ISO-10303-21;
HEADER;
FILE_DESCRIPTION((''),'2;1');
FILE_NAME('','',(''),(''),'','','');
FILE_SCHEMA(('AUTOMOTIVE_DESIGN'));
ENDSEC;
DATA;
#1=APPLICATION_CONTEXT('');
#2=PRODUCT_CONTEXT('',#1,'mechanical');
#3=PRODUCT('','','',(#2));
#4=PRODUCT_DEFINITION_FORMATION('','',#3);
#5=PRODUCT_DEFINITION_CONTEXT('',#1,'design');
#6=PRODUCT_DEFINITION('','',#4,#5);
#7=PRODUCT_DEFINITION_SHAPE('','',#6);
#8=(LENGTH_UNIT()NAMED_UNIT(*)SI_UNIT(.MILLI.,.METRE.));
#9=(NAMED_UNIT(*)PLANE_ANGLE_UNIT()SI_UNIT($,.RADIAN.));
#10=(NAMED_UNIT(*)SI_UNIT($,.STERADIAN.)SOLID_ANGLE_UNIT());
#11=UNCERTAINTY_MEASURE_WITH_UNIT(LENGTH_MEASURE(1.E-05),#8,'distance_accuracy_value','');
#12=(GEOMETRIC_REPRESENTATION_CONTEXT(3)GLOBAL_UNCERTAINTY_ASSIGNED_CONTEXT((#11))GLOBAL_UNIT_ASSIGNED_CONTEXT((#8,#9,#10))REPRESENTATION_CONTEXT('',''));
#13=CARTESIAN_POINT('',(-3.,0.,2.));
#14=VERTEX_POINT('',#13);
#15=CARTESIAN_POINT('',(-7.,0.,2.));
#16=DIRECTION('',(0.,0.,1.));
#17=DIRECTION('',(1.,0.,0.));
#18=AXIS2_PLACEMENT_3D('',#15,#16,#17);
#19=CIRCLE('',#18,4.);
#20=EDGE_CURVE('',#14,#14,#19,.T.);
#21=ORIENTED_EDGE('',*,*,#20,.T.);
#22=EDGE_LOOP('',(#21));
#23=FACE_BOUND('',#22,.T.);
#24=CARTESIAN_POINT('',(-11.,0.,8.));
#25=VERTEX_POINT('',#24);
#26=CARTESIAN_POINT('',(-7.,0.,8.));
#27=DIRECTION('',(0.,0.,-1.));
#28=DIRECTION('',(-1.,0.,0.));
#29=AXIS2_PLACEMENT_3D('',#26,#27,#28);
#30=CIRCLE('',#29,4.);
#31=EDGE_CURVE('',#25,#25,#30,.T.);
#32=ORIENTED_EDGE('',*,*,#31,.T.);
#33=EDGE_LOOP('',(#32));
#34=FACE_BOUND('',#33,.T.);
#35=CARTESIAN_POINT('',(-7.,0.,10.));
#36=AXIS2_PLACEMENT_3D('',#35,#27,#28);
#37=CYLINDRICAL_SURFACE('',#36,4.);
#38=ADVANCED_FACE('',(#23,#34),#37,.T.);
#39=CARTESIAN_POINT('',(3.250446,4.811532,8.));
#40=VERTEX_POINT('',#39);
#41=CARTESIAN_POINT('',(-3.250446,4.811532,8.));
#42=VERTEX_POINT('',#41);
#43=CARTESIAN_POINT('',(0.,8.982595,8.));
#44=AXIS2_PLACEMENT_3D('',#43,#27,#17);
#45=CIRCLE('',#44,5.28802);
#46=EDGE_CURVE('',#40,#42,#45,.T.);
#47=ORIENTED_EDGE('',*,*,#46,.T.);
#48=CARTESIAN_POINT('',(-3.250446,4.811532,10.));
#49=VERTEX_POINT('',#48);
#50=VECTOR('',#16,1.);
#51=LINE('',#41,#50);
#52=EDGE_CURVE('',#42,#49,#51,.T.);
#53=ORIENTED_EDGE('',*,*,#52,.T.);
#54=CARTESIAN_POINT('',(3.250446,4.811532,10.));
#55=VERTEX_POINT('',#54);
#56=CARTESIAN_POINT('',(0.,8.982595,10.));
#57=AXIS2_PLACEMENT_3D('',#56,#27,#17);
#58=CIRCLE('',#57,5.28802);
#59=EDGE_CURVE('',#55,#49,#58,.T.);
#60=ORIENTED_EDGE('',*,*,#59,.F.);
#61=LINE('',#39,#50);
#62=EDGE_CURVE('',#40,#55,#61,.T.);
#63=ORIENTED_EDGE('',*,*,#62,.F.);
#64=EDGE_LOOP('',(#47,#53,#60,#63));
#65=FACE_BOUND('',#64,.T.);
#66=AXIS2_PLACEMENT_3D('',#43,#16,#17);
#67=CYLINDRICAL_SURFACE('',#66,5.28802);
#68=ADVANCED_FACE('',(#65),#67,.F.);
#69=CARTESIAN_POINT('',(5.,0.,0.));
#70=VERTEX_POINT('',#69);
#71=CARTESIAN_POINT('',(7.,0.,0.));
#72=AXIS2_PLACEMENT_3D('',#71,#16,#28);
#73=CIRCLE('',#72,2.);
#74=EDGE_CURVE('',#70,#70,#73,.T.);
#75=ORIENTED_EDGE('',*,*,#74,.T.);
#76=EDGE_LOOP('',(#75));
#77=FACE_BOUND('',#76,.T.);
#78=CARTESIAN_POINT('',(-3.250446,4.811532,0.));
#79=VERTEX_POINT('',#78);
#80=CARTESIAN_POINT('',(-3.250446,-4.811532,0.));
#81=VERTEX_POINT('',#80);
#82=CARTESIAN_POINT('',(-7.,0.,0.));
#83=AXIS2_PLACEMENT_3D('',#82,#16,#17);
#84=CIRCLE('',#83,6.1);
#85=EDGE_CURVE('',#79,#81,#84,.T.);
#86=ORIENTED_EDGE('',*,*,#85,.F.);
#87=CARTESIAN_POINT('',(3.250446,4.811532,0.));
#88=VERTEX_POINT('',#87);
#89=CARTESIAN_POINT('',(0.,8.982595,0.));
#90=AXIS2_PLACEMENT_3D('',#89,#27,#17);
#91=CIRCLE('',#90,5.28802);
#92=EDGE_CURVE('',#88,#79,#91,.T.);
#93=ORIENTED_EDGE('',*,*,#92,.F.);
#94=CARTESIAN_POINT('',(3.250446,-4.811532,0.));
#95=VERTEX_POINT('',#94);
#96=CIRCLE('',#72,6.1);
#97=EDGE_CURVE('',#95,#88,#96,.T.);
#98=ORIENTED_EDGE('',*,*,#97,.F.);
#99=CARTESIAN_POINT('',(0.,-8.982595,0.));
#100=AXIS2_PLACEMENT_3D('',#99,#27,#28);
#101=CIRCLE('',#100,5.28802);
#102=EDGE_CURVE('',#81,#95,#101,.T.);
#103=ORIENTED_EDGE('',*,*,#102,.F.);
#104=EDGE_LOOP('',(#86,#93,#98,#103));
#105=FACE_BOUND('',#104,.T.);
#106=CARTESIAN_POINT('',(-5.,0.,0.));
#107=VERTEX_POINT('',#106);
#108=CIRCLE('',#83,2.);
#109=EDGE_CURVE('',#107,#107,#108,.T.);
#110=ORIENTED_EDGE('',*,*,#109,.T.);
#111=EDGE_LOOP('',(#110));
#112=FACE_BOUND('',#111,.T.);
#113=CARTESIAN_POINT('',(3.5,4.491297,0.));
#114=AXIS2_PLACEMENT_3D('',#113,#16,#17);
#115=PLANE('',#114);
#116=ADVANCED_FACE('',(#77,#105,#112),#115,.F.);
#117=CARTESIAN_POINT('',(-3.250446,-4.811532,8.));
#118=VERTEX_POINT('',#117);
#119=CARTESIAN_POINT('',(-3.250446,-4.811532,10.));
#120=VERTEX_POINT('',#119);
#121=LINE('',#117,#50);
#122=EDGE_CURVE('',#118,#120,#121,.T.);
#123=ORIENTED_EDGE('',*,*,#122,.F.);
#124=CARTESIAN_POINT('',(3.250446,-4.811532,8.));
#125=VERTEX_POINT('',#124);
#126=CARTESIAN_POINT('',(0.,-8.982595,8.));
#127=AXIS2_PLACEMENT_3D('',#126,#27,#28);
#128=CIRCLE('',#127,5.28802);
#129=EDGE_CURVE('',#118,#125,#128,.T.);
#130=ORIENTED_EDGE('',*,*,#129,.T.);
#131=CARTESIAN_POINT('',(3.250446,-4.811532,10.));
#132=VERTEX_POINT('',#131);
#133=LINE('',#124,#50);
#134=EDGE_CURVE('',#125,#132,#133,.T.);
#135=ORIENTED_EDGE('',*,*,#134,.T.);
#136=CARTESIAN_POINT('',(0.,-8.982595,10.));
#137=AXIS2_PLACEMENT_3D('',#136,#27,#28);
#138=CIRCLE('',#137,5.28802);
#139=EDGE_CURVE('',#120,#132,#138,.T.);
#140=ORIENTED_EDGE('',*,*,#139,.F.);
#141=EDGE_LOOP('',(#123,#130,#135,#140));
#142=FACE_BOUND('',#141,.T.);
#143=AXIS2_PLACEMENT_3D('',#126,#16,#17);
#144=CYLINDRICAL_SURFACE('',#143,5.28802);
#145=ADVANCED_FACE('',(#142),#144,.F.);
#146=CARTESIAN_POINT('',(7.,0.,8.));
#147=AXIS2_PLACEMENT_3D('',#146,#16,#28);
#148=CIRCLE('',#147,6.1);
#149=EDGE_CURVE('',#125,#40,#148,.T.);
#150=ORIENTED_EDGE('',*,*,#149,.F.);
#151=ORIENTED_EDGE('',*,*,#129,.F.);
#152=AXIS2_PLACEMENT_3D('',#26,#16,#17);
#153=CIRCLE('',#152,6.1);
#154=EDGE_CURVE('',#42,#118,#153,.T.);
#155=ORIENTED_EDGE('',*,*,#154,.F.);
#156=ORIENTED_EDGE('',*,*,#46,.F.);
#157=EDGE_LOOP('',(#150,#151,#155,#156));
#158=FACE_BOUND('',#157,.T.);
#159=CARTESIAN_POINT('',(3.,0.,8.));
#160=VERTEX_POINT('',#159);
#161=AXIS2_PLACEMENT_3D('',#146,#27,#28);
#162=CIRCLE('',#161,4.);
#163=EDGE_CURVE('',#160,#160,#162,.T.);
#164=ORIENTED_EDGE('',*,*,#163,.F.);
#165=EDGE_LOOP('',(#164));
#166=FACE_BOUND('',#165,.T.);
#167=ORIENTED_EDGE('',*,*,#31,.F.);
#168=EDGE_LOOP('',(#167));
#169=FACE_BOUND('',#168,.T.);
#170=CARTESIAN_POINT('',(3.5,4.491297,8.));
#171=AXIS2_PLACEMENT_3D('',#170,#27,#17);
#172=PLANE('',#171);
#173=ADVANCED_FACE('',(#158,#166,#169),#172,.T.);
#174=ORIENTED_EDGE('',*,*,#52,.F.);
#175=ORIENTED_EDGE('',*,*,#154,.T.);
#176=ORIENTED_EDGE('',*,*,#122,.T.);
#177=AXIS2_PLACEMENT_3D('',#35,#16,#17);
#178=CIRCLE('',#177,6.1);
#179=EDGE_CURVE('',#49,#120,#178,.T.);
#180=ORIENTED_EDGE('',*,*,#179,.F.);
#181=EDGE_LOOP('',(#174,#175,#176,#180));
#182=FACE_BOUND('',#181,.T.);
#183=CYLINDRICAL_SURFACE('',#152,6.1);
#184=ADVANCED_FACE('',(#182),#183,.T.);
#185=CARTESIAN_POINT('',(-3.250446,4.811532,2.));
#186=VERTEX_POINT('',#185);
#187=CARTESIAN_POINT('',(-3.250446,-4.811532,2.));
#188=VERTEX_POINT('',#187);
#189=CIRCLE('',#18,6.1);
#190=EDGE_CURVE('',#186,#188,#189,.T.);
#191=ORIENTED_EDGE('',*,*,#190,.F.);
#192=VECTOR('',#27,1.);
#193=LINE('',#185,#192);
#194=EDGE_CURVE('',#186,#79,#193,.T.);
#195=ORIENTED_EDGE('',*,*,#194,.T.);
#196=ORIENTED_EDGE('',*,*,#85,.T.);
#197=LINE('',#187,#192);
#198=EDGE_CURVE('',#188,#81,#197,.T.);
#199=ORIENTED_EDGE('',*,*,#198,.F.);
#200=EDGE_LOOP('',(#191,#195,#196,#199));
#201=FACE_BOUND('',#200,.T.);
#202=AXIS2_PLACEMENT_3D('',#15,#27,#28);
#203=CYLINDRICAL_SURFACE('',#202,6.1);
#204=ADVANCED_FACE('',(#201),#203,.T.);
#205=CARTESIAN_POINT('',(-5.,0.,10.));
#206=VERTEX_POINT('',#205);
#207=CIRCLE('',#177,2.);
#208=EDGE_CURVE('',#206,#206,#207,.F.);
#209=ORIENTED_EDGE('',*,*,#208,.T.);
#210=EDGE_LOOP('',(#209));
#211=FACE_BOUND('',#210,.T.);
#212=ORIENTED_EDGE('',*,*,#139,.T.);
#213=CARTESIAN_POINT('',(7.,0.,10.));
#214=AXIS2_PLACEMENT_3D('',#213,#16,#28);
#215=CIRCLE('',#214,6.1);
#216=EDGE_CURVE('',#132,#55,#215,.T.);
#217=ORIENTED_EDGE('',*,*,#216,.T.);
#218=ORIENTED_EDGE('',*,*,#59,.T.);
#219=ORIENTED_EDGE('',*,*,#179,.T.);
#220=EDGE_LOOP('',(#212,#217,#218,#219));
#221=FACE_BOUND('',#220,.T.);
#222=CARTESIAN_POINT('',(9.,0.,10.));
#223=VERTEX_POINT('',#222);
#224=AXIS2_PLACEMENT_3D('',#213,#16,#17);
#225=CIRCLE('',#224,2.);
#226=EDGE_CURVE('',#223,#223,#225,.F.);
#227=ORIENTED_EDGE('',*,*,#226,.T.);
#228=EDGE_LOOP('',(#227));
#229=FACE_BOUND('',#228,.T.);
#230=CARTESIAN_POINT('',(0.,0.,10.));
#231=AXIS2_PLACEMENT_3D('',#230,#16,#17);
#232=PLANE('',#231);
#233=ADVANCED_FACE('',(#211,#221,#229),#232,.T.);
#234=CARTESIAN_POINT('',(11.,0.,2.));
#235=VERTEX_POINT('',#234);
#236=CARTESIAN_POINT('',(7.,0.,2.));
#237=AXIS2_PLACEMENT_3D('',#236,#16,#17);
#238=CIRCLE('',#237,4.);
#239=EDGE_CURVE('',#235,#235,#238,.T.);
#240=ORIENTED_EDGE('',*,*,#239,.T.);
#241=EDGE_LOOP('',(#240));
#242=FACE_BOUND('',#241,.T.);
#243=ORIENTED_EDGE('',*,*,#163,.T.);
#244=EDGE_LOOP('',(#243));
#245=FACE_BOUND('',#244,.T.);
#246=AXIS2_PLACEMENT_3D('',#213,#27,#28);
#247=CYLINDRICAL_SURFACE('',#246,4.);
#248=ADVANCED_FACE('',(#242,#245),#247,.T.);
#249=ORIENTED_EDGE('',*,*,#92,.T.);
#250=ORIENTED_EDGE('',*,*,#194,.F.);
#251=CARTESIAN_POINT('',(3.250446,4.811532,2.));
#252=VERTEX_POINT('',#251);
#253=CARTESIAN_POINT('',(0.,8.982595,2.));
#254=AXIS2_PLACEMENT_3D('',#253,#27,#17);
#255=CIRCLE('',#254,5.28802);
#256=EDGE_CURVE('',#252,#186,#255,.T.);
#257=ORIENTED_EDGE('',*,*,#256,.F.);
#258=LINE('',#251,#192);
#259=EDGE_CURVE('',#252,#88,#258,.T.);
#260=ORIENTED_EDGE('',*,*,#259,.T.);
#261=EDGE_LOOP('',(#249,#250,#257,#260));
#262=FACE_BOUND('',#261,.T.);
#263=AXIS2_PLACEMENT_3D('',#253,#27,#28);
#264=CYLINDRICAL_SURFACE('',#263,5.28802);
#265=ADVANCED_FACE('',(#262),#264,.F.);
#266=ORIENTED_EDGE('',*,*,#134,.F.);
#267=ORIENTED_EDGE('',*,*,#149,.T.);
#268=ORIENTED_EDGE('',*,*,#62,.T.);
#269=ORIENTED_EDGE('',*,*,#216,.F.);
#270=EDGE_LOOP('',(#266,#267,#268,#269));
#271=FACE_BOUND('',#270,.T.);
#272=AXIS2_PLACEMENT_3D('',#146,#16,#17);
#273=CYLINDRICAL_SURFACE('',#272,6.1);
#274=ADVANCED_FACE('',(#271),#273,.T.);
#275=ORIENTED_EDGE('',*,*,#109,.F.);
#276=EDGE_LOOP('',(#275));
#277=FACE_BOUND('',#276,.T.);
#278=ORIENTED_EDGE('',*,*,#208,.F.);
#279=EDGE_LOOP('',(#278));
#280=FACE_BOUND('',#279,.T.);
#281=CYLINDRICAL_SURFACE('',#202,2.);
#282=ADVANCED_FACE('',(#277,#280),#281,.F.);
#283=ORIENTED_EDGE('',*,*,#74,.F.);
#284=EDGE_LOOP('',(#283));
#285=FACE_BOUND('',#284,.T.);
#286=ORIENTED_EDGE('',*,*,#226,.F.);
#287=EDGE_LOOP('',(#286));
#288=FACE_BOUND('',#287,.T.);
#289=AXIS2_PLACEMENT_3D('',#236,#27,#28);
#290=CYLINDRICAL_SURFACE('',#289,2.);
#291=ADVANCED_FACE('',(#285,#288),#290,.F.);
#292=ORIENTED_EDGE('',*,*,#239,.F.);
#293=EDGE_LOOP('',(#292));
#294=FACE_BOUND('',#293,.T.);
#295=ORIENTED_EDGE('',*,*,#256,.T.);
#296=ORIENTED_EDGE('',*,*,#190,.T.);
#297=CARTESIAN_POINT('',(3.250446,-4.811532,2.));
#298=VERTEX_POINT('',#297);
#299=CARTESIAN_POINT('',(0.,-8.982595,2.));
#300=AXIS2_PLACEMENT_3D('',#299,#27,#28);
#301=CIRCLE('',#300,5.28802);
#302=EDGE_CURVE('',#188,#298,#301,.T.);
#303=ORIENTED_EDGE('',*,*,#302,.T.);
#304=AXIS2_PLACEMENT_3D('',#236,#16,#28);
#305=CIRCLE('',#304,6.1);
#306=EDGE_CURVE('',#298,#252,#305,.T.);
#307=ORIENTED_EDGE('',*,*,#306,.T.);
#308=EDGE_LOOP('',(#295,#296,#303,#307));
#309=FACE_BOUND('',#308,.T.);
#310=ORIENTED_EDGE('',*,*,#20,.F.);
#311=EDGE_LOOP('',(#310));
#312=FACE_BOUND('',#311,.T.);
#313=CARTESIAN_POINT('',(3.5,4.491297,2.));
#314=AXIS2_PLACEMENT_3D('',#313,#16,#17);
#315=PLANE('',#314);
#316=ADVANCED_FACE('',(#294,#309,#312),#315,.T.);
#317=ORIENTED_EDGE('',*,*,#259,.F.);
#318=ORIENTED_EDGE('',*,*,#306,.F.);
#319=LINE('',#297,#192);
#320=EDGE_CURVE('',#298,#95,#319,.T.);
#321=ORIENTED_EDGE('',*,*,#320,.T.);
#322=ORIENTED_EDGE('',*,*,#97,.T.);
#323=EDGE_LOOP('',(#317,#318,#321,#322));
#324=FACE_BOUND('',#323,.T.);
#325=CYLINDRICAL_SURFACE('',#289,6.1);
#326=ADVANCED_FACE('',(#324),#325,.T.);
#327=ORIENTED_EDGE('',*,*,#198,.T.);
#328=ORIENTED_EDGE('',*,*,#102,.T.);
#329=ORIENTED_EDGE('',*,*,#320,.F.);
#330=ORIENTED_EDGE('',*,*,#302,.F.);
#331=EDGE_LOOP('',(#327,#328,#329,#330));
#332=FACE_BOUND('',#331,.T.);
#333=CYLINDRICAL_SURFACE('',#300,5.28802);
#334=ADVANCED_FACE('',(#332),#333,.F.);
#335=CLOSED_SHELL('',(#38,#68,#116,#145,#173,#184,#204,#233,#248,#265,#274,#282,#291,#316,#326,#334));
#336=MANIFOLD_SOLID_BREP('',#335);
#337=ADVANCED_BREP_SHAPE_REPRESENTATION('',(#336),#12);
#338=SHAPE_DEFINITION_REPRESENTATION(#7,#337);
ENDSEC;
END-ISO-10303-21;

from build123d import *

# Parameters (mm, degrees)
CROQUIS1_R              = 2
SALIENTE_EXTRUIR1_DEPTH = 2
CROQUIS3_R              = 4
CROQUIS3_R_2            = 2
SALIENTE_EXTRUIR2_DEPTH = 8


with BuildPart() as part:
    # Croquis1 → Saliente-Extruir1 (new body)
    with BuildSketch(Plane.XY):
        with BuildLine():
            ThreePointArc((-3.250445743, 4.811532279), (-13.1, 0), (-3.250445743, -4.811532279))
            ThreePointArc((-3.250445743, -4.811532279), (0, -3.694574334), (3.250445743, -4.811532279))
            ThreePointArc((3.250445743, -4.811532279), (13.1, 0), (3.250445743, 4.811532279))
            ThreePointArc((3.250445743, 4.811532279), (0, 3.694574334), (-3.250445743, 4.811532279))
        make_face()
        with Locations((-7, 0)):
            Circle(CROQUIS1_R, mode=Mode.SUBTRACT)
        with Locations(Location((7, 0, 0), (0, 0, 180))):
            Circle(CROQUIS1_R, mode=Mode.SUBTRACT)
    saliente_extruir1 = extrude(amount=SALIENTE_EXTRUIR1_DEPTH)

    # Croquis3 → Saliente-Extruir2 (add)
    # profile 1 of 2: a face of its own
    with BuildSketch(Plane.XY.offset(2)):
        with Locations((-7, 0)):
            Circle(CROQUIS3_R)
        with Locations((-7, 0)):
            Circle(CROQUIS3_R_2, mode=Mode.SUBTRACT)
    # profile 2 of 2: a face of its own
    with BuildSketch(Plane.XY.offset(2)):
        with Locations((7, 0)):
            Circle(CROQUIS3_R)
        with Locations(Location((7, 0, 0), (0, 0, 180))):
            Circle(CROQUIS3_R_2, mode=Mode.SUBTRACT)
    extrude(amount=SALIENTE_EXTRUIR2_DEPTH)

    # Simetría1: Saliente-Extruir1 across plane
    add(saliente_extruir1.mirror(Plane.XY.offset(5)))


solid = part.part
